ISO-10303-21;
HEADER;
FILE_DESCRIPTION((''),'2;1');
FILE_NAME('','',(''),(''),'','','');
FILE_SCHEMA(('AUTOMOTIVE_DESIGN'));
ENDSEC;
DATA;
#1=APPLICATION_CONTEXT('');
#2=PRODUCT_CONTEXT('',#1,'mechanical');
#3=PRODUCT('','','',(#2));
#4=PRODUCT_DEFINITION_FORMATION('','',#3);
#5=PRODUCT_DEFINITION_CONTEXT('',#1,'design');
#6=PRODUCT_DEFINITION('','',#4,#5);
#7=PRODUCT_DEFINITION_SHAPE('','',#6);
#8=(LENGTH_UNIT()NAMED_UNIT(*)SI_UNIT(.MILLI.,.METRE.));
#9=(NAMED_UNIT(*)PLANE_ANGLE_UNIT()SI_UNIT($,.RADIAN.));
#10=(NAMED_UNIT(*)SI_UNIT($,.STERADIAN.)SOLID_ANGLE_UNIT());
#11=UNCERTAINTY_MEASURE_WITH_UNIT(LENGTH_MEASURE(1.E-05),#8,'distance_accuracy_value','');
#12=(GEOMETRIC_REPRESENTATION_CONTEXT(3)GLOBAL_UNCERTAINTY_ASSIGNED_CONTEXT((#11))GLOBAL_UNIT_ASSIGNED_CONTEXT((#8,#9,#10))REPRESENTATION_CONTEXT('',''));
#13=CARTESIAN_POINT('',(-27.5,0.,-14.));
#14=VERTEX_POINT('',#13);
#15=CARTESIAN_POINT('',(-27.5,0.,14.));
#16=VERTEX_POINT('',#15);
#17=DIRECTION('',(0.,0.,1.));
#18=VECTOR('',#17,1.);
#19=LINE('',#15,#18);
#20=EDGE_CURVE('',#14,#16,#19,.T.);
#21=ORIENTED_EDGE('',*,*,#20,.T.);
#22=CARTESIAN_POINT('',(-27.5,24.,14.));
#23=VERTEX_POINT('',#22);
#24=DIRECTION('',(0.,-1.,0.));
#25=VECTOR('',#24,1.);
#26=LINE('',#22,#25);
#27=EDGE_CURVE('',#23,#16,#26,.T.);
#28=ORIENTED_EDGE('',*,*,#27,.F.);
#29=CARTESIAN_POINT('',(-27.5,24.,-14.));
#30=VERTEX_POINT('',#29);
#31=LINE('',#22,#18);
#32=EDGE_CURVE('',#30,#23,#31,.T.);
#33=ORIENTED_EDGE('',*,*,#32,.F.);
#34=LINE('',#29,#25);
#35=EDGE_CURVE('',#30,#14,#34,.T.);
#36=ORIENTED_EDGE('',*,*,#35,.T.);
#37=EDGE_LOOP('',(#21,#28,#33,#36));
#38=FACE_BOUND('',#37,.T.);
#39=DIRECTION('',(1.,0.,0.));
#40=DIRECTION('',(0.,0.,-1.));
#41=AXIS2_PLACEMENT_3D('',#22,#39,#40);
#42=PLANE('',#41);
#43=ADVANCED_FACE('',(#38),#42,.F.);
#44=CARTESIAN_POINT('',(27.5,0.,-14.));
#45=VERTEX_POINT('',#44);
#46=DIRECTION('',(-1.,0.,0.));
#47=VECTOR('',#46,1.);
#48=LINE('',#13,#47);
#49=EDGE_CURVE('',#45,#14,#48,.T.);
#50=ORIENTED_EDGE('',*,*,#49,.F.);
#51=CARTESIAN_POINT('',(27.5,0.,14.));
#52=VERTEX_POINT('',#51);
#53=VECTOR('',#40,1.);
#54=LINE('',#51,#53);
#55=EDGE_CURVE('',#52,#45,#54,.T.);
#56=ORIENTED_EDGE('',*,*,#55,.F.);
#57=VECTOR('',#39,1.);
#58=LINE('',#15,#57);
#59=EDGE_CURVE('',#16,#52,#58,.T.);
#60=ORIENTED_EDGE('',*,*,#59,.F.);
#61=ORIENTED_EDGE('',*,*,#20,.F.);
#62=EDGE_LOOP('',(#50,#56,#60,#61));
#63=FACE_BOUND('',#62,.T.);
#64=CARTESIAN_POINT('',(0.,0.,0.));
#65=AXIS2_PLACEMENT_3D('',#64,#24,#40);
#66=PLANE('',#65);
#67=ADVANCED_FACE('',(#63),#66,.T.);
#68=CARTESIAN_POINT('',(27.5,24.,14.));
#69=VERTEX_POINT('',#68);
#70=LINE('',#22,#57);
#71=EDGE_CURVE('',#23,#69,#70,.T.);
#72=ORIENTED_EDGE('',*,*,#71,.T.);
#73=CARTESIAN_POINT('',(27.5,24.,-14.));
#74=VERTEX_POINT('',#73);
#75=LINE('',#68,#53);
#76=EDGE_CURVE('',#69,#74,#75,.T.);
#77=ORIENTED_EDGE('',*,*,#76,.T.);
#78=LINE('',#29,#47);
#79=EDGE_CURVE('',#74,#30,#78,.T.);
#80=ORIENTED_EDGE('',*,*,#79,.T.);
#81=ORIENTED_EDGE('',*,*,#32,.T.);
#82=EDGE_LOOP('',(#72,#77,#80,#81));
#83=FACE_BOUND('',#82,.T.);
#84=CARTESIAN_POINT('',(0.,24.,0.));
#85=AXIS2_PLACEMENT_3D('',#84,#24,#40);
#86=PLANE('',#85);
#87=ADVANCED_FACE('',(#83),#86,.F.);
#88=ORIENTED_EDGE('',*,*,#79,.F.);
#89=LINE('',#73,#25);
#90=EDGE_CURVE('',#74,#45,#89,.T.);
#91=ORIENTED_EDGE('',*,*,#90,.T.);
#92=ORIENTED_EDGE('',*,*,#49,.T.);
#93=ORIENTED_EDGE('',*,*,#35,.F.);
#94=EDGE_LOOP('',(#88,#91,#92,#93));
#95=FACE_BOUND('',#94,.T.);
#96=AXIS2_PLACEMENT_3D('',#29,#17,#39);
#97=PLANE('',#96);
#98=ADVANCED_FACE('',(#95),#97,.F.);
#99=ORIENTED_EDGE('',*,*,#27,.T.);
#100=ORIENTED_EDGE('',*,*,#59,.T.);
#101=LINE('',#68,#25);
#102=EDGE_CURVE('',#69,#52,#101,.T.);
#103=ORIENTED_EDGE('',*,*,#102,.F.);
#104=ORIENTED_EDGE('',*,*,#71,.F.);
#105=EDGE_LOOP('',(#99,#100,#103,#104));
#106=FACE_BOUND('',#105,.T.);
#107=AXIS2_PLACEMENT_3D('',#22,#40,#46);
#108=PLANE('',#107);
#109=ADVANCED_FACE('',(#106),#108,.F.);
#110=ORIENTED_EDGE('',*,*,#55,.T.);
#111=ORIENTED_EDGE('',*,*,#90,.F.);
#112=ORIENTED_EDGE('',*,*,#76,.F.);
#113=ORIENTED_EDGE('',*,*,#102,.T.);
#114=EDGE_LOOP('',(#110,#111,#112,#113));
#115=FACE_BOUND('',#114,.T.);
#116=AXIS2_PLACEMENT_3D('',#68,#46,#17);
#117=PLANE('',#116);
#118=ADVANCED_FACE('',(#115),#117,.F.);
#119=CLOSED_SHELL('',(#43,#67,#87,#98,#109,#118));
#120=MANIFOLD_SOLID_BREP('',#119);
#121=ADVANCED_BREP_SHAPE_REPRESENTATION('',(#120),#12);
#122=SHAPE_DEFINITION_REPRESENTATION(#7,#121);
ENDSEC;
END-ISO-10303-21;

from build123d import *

# Parameters (mm, degrees)
SKETCH_1_W      = 55
SKETCH_1_H      = 28
EXTRUDE_1_DEPTH = 24


with BuildPart() as part:
    # 草图1 → 凸台-拉伸1 (new body)
    with BuildSketch(Plane(origin=(0, 0, 0), x_dir=(1, 0, 0), z_dir=(0, 1, 0))):
        Rectangle(SKETCH_1_W, SKETCH_1_H)
    extrude(amount=EXTRUDE_1_DEPTH)


solid = part.part
